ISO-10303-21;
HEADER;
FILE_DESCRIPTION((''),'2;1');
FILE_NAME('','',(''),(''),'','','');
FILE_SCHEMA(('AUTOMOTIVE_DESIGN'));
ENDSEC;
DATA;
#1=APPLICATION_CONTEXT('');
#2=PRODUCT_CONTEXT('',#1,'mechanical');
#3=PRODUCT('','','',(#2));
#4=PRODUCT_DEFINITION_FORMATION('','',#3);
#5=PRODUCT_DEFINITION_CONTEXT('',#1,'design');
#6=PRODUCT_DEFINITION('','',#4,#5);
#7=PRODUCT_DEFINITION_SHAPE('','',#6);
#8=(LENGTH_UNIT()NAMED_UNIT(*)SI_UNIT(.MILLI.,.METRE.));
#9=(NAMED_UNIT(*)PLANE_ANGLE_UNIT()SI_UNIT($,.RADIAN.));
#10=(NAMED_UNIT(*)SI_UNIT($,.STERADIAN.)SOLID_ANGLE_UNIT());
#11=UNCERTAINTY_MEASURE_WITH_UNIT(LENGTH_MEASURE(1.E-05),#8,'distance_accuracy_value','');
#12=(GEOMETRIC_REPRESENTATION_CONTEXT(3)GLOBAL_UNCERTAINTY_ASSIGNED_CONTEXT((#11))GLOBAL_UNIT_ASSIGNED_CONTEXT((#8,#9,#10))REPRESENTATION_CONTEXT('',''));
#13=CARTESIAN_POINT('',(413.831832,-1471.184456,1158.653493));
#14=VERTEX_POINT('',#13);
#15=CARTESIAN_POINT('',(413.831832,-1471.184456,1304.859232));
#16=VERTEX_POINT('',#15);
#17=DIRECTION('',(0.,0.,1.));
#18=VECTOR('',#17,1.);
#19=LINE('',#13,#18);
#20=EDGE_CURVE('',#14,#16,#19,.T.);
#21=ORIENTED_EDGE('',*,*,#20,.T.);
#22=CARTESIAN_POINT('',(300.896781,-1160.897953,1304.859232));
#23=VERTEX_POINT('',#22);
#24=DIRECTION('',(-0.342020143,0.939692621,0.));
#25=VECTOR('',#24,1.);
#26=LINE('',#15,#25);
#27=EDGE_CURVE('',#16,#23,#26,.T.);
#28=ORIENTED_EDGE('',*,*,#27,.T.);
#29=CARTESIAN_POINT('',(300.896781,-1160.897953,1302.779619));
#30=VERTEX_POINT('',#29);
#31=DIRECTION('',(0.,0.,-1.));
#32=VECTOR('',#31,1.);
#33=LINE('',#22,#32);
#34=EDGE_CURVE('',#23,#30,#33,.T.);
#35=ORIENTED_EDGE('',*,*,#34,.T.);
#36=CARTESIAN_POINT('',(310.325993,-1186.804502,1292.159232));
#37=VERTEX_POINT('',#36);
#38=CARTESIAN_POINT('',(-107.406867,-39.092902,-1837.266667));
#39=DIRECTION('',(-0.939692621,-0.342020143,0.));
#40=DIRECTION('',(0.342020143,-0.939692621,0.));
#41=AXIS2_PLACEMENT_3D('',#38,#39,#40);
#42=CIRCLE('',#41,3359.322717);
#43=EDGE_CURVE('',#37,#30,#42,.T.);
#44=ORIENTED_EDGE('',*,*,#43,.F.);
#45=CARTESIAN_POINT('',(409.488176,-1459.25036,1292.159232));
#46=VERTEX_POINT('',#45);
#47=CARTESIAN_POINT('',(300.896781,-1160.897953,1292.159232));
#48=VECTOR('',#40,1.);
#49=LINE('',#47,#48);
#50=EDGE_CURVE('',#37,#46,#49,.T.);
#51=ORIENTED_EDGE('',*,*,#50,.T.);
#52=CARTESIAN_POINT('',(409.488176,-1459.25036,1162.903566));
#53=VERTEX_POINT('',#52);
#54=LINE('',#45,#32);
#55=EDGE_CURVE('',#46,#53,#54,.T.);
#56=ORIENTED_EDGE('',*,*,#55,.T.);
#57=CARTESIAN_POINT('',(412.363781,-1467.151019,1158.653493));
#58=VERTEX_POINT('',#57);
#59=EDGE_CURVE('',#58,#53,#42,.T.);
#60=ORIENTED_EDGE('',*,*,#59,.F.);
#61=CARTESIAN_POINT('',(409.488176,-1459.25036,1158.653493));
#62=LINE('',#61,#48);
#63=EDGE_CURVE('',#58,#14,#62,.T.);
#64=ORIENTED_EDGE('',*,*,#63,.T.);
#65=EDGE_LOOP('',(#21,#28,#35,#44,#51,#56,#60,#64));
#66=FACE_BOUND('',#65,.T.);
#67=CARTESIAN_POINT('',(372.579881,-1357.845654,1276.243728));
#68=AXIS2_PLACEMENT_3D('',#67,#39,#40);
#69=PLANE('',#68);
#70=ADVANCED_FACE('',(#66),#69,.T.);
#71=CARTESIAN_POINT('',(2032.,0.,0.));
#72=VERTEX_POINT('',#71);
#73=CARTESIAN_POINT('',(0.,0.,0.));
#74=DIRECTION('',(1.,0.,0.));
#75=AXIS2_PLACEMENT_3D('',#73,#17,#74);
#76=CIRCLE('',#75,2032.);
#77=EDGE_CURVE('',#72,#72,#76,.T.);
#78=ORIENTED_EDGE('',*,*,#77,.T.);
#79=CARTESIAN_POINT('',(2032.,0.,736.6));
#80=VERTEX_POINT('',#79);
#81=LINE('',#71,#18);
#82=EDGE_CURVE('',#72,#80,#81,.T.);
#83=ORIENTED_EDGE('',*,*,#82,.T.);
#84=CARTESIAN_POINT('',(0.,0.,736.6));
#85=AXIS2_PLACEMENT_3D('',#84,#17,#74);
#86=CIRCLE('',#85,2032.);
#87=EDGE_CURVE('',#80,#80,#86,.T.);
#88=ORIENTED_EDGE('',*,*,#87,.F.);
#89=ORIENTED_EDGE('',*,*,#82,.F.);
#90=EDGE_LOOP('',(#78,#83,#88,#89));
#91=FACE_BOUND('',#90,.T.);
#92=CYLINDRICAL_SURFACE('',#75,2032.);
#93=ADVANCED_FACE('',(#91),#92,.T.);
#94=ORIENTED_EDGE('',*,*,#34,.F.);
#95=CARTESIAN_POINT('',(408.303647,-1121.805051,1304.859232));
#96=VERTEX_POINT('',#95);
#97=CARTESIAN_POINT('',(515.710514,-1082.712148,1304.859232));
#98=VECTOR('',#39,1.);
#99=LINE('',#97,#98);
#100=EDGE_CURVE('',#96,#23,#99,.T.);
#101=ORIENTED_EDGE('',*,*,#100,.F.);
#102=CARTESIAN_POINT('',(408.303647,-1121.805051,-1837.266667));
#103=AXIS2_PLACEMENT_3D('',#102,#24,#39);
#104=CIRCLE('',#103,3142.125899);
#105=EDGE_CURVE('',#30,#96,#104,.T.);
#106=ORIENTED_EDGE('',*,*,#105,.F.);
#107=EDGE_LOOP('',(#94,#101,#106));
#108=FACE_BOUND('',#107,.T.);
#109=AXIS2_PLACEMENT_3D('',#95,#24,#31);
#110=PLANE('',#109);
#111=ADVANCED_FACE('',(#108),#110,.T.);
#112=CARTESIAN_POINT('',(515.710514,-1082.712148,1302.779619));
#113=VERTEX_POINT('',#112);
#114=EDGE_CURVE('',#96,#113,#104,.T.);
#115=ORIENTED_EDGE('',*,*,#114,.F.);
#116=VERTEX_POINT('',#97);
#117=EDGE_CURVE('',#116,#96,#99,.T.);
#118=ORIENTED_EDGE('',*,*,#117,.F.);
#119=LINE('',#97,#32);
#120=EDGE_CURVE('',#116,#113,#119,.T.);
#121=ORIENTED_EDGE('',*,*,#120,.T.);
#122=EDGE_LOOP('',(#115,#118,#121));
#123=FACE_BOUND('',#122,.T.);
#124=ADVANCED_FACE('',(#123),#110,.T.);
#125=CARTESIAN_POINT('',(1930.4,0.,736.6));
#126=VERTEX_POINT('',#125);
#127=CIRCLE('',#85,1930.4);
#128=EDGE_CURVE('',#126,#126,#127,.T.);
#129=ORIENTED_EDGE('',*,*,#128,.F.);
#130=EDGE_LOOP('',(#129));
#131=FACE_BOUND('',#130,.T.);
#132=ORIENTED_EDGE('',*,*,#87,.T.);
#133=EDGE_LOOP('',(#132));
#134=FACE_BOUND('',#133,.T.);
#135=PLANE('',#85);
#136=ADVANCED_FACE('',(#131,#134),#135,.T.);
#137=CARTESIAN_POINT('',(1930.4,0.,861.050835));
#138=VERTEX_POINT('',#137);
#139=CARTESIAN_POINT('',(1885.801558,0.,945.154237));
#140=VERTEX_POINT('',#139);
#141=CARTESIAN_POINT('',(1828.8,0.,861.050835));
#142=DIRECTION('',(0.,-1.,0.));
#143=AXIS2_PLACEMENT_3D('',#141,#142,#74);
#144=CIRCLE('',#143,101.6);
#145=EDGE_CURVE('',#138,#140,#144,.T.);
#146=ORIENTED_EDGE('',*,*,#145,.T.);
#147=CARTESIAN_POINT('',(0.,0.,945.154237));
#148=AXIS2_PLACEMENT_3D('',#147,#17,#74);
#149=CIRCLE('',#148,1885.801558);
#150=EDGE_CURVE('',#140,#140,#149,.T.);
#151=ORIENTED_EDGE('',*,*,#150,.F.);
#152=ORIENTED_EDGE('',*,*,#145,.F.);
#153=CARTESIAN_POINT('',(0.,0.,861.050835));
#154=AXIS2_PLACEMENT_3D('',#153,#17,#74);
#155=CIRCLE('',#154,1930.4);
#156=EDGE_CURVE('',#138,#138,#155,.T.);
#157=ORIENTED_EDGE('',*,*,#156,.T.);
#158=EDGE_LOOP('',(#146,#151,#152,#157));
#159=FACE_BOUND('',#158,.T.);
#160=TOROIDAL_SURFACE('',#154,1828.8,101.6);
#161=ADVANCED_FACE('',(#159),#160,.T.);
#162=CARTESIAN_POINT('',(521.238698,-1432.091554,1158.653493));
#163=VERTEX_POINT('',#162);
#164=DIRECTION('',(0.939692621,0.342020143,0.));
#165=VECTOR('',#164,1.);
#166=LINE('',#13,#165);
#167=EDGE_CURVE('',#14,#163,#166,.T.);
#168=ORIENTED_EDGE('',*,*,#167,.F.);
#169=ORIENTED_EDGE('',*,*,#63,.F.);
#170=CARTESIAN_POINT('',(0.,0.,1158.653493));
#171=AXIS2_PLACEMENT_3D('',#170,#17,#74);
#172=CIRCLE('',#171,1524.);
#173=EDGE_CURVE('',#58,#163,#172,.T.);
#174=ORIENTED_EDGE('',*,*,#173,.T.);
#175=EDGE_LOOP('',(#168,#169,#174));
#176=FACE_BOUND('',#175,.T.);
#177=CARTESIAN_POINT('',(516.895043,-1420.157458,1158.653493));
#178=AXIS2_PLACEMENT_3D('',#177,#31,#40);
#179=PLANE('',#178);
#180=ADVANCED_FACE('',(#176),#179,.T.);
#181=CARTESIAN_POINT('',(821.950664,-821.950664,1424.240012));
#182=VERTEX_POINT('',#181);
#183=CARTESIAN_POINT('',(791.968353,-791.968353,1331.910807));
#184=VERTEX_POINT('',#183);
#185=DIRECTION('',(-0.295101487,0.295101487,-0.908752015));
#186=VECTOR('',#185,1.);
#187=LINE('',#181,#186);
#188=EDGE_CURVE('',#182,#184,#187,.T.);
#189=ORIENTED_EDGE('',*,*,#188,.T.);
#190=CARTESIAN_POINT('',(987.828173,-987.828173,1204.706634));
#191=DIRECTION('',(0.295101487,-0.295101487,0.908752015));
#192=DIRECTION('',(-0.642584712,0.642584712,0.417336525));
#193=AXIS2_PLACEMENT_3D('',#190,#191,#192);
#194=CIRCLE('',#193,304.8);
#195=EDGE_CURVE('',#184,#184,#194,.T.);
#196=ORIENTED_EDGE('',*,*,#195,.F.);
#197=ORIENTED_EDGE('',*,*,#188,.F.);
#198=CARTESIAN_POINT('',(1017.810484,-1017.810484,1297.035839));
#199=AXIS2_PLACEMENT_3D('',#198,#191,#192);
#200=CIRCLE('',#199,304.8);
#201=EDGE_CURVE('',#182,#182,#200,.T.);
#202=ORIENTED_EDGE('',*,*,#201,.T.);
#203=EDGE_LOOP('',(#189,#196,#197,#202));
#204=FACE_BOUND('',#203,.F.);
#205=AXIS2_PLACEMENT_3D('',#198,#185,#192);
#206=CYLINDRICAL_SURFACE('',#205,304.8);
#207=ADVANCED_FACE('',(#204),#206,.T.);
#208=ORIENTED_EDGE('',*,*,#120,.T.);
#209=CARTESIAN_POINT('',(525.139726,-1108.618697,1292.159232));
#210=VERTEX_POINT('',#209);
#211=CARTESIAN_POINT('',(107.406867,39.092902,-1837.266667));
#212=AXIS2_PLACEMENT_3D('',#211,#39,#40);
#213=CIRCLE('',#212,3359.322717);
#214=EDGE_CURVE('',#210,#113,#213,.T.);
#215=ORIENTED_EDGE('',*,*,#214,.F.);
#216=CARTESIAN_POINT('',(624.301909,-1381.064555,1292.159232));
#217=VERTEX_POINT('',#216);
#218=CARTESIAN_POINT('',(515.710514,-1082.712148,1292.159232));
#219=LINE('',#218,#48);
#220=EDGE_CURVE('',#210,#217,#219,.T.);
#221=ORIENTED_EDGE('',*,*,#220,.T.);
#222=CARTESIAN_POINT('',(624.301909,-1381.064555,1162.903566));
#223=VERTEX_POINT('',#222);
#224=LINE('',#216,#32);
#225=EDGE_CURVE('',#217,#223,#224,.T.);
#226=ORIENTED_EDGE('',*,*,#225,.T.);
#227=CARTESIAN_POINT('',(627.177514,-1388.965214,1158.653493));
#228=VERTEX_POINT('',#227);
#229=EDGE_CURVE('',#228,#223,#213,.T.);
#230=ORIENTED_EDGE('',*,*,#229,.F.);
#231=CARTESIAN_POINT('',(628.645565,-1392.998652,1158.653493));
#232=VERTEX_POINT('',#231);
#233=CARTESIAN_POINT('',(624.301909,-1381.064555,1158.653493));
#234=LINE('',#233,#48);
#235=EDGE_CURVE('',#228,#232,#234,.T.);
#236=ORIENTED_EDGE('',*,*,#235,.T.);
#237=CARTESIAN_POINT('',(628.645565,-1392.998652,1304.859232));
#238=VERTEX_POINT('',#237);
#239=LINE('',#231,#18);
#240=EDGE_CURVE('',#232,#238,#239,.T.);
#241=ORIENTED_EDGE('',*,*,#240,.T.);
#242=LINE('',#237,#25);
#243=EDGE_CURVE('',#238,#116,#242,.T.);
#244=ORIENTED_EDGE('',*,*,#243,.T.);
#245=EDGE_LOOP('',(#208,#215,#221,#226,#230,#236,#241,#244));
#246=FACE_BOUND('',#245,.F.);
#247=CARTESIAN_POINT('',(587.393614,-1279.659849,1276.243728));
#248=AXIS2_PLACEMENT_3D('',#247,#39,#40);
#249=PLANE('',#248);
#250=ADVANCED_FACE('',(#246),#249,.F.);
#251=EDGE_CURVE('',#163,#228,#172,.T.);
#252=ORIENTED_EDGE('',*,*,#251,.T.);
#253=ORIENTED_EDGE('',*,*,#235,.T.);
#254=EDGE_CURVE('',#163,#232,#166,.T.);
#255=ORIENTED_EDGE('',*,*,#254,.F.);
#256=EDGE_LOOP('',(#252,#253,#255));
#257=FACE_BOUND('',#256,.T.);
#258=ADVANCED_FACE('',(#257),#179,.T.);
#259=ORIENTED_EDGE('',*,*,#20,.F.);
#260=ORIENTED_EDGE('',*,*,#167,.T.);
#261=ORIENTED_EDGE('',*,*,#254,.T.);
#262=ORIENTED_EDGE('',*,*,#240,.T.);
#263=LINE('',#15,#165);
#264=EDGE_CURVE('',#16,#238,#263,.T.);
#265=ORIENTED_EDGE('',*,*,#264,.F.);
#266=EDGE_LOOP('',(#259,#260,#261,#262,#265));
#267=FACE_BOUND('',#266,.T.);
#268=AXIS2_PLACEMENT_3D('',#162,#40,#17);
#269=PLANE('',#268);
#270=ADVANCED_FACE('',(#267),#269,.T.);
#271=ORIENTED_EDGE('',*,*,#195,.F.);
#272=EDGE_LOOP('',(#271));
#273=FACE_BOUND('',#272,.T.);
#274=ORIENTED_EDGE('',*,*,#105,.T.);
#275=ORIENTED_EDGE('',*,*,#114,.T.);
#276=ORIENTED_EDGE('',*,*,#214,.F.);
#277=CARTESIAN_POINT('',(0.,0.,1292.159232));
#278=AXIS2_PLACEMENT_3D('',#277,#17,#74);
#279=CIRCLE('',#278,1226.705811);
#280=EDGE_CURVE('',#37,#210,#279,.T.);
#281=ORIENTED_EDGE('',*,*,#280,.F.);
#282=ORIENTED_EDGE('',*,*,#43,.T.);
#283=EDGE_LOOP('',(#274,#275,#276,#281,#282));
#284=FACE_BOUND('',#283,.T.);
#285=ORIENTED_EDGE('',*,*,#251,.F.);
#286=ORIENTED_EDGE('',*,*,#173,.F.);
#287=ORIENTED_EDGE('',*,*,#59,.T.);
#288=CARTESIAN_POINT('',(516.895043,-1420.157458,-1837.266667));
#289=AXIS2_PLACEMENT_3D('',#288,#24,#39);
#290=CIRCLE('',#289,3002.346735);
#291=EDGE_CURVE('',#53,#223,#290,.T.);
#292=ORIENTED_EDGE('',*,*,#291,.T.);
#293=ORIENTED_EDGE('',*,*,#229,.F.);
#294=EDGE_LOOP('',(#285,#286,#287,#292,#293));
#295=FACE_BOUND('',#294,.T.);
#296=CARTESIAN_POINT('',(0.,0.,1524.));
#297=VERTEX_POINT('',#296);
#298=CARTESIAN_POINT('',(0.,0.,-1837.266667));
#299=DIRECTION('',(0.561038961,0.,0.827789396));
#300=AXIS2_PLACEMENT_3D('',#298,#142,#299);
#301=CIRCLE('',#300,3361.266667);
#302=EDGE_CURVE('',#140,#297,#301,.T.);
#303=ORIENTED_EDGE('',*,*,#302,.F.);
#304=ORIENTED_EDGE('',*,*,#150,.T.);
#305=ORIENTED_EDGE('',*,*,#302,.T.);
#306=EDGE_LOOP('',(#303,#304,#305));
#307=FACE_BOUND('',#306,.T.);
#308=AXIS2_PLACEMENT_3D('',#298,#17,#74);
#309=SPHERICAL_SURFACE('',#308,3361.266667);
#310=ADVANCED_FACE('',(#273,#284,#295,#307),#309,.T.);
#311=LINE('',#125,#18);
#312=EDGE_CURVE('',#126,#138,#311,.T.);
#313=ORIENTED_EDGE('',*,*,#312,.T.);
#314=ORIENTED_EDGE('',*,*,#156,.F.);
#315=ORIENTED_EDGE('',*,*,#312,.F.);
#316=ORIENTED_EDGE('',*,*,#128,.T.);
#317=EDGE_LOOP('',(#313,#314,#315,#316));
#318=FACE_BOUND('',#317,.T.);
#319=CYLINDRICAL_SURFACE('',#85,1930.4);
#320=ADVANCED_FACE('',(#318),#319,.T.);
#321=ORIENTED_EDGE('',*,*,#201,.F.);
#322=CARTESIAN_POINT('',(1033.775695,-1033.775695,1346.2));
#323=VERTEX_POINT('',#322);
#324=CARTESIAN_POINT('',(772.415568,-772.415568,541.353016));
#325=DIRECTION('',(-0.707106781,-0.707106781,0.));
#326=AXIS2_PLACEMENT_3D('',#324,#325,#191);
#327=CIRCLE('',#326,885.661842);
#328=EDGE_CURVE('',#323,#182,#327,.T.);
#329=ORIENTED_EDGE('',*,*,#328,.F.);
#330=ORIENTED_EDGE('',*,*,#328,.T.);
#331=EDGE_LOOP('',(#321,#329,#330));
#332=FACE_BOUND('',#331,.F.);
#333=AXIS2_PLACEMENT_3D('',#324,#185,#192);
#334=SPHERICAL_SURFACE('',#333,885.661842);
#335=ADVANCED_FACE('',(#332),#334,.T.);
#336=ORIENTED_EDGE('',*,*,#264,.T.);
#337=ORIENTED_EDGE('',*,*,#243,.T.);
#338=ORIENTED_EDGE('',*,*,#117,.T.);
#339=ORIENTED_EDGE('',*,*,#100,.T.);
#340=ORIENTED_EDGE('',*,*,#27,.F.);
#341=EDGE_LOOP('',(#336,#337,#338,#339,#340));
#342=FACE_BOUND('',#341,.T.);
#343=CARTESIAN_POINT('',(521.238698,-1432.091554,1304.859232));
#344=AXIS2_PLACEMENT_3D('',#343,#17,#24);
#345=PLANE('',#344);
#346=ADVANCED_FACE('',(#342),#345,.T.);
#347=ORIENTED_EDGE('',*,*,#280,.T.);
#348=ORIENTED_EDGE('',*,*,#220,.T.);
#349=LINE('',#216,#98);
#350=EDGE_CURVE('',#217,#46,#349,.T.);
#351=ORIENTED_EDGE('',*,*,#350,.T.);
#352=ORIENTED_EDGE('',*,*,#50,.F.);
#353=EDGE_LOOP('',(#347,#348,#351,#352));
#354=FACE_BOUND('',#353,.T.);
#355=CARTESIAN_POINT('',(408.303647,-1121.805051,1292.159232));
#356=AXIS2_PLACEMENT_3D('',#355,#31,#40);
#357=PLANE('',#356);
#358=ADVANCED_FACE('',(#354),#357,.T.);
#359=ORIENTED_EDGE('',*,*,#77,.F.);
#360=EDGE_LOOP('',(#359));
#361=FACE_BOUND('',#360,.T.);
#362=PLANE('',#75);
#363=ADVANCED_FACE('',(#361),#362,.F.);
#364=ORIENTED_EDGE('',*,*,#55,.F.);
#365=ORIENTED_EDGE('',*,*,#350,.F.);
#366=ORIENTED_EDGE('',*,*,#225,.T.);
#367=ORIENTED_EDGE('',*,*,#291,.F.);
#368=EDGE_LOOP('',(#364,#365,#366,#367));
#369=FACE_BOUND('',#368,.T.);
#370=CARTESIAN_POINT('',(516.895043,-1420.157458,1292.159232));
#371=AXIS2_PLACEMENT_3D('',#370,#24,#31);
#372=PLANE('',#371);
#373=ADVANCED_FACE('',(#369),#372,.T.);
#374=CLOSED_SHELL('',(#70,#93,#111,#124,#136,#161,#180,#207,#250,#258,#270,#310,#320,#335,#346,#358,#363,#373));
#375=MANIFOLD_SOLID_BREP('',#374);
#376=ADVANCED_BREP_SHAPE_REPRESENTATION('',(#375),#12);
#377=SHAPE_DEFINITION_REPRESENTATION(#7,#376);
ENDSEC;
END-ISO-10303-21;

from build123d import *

# Parameters (mm, degrees)
F7_DEPTH = 114.3


with BuildPart() as f1:
    # F0 (on Front) → F1 (revolve)
    with BuildSketch(Plane.XZ):
        with BuildLine():
            ThreePointArc((1930.4, 861.0508346252), (1918.5605657782, 908.6491626543), (1885.8015584416, 945.1542372628))
            ThreePointArc((1885.8015584416, 945.1542372628), (986.3201730244, 1376.0316575992), (0, 1524))
            Line((0, 1524), (0, 0))
            Line((0, 0), (2032, 0))
            Line((2032, 0), (2032, 736.6))
            Line((2032, 736.6), (1930.4, 736.6))
            Line((1930.4, 736.6), (1930.4, 861.0508346252))
        make_face()
    revolve(axis=Axis((0, 0, 921.9542145729), (0, 0, 1)))

    # F3 (on line) → F4 (revolve)
    with BuildSketch(Plane(origin=(0, 0, 0), x_dir=(0.7071067812, -0.7071067812, 0), z_dir=(-0.7071067812, -0.7071067812, 0))):
        with BuildLine():
            Line((1162.4137766435, 1424.2400118495), (1120.0123857464, 1331.9108070983))
            Line((1120.0123857464, 1331.9108070983), (1397, 1204.7066344069))
            Line((1397, 1204.7066344069), (1461.9796076987, 1346.2))
            ThreePointArc((1461.9796076987, 1346.2), (1315.6327838789, 1398.4098510263), (1162.4137766435, 1424.2400118495))
        make_face()
    revolve(axis=Axis((1040.2953547308, -1040.2953547308, 1366.2770060086), (0.2951014866, -0.2951014866, 0.9087520153)))

    # F6 (on line) → F7 (join, symmetric)
    with BuildSketch(Plane(origin=(0, 0, 0), x_dir=(0.3420201433, -0.9396926208, 0), z_dir=(-0.9396926208, -0.3420201433, 0))):
        Polygon((1524, 1304.8592322184), (1193.8, 1304.8592322184), (1193.8, 1292.1592322184), (1511.3, 1292.1592322184), (1511.3, 1158.6534932249), (1524, 1158.6534932249), align=None)
    extrude(amount=F7_DEPTH, both=True)


solid = f1.part
